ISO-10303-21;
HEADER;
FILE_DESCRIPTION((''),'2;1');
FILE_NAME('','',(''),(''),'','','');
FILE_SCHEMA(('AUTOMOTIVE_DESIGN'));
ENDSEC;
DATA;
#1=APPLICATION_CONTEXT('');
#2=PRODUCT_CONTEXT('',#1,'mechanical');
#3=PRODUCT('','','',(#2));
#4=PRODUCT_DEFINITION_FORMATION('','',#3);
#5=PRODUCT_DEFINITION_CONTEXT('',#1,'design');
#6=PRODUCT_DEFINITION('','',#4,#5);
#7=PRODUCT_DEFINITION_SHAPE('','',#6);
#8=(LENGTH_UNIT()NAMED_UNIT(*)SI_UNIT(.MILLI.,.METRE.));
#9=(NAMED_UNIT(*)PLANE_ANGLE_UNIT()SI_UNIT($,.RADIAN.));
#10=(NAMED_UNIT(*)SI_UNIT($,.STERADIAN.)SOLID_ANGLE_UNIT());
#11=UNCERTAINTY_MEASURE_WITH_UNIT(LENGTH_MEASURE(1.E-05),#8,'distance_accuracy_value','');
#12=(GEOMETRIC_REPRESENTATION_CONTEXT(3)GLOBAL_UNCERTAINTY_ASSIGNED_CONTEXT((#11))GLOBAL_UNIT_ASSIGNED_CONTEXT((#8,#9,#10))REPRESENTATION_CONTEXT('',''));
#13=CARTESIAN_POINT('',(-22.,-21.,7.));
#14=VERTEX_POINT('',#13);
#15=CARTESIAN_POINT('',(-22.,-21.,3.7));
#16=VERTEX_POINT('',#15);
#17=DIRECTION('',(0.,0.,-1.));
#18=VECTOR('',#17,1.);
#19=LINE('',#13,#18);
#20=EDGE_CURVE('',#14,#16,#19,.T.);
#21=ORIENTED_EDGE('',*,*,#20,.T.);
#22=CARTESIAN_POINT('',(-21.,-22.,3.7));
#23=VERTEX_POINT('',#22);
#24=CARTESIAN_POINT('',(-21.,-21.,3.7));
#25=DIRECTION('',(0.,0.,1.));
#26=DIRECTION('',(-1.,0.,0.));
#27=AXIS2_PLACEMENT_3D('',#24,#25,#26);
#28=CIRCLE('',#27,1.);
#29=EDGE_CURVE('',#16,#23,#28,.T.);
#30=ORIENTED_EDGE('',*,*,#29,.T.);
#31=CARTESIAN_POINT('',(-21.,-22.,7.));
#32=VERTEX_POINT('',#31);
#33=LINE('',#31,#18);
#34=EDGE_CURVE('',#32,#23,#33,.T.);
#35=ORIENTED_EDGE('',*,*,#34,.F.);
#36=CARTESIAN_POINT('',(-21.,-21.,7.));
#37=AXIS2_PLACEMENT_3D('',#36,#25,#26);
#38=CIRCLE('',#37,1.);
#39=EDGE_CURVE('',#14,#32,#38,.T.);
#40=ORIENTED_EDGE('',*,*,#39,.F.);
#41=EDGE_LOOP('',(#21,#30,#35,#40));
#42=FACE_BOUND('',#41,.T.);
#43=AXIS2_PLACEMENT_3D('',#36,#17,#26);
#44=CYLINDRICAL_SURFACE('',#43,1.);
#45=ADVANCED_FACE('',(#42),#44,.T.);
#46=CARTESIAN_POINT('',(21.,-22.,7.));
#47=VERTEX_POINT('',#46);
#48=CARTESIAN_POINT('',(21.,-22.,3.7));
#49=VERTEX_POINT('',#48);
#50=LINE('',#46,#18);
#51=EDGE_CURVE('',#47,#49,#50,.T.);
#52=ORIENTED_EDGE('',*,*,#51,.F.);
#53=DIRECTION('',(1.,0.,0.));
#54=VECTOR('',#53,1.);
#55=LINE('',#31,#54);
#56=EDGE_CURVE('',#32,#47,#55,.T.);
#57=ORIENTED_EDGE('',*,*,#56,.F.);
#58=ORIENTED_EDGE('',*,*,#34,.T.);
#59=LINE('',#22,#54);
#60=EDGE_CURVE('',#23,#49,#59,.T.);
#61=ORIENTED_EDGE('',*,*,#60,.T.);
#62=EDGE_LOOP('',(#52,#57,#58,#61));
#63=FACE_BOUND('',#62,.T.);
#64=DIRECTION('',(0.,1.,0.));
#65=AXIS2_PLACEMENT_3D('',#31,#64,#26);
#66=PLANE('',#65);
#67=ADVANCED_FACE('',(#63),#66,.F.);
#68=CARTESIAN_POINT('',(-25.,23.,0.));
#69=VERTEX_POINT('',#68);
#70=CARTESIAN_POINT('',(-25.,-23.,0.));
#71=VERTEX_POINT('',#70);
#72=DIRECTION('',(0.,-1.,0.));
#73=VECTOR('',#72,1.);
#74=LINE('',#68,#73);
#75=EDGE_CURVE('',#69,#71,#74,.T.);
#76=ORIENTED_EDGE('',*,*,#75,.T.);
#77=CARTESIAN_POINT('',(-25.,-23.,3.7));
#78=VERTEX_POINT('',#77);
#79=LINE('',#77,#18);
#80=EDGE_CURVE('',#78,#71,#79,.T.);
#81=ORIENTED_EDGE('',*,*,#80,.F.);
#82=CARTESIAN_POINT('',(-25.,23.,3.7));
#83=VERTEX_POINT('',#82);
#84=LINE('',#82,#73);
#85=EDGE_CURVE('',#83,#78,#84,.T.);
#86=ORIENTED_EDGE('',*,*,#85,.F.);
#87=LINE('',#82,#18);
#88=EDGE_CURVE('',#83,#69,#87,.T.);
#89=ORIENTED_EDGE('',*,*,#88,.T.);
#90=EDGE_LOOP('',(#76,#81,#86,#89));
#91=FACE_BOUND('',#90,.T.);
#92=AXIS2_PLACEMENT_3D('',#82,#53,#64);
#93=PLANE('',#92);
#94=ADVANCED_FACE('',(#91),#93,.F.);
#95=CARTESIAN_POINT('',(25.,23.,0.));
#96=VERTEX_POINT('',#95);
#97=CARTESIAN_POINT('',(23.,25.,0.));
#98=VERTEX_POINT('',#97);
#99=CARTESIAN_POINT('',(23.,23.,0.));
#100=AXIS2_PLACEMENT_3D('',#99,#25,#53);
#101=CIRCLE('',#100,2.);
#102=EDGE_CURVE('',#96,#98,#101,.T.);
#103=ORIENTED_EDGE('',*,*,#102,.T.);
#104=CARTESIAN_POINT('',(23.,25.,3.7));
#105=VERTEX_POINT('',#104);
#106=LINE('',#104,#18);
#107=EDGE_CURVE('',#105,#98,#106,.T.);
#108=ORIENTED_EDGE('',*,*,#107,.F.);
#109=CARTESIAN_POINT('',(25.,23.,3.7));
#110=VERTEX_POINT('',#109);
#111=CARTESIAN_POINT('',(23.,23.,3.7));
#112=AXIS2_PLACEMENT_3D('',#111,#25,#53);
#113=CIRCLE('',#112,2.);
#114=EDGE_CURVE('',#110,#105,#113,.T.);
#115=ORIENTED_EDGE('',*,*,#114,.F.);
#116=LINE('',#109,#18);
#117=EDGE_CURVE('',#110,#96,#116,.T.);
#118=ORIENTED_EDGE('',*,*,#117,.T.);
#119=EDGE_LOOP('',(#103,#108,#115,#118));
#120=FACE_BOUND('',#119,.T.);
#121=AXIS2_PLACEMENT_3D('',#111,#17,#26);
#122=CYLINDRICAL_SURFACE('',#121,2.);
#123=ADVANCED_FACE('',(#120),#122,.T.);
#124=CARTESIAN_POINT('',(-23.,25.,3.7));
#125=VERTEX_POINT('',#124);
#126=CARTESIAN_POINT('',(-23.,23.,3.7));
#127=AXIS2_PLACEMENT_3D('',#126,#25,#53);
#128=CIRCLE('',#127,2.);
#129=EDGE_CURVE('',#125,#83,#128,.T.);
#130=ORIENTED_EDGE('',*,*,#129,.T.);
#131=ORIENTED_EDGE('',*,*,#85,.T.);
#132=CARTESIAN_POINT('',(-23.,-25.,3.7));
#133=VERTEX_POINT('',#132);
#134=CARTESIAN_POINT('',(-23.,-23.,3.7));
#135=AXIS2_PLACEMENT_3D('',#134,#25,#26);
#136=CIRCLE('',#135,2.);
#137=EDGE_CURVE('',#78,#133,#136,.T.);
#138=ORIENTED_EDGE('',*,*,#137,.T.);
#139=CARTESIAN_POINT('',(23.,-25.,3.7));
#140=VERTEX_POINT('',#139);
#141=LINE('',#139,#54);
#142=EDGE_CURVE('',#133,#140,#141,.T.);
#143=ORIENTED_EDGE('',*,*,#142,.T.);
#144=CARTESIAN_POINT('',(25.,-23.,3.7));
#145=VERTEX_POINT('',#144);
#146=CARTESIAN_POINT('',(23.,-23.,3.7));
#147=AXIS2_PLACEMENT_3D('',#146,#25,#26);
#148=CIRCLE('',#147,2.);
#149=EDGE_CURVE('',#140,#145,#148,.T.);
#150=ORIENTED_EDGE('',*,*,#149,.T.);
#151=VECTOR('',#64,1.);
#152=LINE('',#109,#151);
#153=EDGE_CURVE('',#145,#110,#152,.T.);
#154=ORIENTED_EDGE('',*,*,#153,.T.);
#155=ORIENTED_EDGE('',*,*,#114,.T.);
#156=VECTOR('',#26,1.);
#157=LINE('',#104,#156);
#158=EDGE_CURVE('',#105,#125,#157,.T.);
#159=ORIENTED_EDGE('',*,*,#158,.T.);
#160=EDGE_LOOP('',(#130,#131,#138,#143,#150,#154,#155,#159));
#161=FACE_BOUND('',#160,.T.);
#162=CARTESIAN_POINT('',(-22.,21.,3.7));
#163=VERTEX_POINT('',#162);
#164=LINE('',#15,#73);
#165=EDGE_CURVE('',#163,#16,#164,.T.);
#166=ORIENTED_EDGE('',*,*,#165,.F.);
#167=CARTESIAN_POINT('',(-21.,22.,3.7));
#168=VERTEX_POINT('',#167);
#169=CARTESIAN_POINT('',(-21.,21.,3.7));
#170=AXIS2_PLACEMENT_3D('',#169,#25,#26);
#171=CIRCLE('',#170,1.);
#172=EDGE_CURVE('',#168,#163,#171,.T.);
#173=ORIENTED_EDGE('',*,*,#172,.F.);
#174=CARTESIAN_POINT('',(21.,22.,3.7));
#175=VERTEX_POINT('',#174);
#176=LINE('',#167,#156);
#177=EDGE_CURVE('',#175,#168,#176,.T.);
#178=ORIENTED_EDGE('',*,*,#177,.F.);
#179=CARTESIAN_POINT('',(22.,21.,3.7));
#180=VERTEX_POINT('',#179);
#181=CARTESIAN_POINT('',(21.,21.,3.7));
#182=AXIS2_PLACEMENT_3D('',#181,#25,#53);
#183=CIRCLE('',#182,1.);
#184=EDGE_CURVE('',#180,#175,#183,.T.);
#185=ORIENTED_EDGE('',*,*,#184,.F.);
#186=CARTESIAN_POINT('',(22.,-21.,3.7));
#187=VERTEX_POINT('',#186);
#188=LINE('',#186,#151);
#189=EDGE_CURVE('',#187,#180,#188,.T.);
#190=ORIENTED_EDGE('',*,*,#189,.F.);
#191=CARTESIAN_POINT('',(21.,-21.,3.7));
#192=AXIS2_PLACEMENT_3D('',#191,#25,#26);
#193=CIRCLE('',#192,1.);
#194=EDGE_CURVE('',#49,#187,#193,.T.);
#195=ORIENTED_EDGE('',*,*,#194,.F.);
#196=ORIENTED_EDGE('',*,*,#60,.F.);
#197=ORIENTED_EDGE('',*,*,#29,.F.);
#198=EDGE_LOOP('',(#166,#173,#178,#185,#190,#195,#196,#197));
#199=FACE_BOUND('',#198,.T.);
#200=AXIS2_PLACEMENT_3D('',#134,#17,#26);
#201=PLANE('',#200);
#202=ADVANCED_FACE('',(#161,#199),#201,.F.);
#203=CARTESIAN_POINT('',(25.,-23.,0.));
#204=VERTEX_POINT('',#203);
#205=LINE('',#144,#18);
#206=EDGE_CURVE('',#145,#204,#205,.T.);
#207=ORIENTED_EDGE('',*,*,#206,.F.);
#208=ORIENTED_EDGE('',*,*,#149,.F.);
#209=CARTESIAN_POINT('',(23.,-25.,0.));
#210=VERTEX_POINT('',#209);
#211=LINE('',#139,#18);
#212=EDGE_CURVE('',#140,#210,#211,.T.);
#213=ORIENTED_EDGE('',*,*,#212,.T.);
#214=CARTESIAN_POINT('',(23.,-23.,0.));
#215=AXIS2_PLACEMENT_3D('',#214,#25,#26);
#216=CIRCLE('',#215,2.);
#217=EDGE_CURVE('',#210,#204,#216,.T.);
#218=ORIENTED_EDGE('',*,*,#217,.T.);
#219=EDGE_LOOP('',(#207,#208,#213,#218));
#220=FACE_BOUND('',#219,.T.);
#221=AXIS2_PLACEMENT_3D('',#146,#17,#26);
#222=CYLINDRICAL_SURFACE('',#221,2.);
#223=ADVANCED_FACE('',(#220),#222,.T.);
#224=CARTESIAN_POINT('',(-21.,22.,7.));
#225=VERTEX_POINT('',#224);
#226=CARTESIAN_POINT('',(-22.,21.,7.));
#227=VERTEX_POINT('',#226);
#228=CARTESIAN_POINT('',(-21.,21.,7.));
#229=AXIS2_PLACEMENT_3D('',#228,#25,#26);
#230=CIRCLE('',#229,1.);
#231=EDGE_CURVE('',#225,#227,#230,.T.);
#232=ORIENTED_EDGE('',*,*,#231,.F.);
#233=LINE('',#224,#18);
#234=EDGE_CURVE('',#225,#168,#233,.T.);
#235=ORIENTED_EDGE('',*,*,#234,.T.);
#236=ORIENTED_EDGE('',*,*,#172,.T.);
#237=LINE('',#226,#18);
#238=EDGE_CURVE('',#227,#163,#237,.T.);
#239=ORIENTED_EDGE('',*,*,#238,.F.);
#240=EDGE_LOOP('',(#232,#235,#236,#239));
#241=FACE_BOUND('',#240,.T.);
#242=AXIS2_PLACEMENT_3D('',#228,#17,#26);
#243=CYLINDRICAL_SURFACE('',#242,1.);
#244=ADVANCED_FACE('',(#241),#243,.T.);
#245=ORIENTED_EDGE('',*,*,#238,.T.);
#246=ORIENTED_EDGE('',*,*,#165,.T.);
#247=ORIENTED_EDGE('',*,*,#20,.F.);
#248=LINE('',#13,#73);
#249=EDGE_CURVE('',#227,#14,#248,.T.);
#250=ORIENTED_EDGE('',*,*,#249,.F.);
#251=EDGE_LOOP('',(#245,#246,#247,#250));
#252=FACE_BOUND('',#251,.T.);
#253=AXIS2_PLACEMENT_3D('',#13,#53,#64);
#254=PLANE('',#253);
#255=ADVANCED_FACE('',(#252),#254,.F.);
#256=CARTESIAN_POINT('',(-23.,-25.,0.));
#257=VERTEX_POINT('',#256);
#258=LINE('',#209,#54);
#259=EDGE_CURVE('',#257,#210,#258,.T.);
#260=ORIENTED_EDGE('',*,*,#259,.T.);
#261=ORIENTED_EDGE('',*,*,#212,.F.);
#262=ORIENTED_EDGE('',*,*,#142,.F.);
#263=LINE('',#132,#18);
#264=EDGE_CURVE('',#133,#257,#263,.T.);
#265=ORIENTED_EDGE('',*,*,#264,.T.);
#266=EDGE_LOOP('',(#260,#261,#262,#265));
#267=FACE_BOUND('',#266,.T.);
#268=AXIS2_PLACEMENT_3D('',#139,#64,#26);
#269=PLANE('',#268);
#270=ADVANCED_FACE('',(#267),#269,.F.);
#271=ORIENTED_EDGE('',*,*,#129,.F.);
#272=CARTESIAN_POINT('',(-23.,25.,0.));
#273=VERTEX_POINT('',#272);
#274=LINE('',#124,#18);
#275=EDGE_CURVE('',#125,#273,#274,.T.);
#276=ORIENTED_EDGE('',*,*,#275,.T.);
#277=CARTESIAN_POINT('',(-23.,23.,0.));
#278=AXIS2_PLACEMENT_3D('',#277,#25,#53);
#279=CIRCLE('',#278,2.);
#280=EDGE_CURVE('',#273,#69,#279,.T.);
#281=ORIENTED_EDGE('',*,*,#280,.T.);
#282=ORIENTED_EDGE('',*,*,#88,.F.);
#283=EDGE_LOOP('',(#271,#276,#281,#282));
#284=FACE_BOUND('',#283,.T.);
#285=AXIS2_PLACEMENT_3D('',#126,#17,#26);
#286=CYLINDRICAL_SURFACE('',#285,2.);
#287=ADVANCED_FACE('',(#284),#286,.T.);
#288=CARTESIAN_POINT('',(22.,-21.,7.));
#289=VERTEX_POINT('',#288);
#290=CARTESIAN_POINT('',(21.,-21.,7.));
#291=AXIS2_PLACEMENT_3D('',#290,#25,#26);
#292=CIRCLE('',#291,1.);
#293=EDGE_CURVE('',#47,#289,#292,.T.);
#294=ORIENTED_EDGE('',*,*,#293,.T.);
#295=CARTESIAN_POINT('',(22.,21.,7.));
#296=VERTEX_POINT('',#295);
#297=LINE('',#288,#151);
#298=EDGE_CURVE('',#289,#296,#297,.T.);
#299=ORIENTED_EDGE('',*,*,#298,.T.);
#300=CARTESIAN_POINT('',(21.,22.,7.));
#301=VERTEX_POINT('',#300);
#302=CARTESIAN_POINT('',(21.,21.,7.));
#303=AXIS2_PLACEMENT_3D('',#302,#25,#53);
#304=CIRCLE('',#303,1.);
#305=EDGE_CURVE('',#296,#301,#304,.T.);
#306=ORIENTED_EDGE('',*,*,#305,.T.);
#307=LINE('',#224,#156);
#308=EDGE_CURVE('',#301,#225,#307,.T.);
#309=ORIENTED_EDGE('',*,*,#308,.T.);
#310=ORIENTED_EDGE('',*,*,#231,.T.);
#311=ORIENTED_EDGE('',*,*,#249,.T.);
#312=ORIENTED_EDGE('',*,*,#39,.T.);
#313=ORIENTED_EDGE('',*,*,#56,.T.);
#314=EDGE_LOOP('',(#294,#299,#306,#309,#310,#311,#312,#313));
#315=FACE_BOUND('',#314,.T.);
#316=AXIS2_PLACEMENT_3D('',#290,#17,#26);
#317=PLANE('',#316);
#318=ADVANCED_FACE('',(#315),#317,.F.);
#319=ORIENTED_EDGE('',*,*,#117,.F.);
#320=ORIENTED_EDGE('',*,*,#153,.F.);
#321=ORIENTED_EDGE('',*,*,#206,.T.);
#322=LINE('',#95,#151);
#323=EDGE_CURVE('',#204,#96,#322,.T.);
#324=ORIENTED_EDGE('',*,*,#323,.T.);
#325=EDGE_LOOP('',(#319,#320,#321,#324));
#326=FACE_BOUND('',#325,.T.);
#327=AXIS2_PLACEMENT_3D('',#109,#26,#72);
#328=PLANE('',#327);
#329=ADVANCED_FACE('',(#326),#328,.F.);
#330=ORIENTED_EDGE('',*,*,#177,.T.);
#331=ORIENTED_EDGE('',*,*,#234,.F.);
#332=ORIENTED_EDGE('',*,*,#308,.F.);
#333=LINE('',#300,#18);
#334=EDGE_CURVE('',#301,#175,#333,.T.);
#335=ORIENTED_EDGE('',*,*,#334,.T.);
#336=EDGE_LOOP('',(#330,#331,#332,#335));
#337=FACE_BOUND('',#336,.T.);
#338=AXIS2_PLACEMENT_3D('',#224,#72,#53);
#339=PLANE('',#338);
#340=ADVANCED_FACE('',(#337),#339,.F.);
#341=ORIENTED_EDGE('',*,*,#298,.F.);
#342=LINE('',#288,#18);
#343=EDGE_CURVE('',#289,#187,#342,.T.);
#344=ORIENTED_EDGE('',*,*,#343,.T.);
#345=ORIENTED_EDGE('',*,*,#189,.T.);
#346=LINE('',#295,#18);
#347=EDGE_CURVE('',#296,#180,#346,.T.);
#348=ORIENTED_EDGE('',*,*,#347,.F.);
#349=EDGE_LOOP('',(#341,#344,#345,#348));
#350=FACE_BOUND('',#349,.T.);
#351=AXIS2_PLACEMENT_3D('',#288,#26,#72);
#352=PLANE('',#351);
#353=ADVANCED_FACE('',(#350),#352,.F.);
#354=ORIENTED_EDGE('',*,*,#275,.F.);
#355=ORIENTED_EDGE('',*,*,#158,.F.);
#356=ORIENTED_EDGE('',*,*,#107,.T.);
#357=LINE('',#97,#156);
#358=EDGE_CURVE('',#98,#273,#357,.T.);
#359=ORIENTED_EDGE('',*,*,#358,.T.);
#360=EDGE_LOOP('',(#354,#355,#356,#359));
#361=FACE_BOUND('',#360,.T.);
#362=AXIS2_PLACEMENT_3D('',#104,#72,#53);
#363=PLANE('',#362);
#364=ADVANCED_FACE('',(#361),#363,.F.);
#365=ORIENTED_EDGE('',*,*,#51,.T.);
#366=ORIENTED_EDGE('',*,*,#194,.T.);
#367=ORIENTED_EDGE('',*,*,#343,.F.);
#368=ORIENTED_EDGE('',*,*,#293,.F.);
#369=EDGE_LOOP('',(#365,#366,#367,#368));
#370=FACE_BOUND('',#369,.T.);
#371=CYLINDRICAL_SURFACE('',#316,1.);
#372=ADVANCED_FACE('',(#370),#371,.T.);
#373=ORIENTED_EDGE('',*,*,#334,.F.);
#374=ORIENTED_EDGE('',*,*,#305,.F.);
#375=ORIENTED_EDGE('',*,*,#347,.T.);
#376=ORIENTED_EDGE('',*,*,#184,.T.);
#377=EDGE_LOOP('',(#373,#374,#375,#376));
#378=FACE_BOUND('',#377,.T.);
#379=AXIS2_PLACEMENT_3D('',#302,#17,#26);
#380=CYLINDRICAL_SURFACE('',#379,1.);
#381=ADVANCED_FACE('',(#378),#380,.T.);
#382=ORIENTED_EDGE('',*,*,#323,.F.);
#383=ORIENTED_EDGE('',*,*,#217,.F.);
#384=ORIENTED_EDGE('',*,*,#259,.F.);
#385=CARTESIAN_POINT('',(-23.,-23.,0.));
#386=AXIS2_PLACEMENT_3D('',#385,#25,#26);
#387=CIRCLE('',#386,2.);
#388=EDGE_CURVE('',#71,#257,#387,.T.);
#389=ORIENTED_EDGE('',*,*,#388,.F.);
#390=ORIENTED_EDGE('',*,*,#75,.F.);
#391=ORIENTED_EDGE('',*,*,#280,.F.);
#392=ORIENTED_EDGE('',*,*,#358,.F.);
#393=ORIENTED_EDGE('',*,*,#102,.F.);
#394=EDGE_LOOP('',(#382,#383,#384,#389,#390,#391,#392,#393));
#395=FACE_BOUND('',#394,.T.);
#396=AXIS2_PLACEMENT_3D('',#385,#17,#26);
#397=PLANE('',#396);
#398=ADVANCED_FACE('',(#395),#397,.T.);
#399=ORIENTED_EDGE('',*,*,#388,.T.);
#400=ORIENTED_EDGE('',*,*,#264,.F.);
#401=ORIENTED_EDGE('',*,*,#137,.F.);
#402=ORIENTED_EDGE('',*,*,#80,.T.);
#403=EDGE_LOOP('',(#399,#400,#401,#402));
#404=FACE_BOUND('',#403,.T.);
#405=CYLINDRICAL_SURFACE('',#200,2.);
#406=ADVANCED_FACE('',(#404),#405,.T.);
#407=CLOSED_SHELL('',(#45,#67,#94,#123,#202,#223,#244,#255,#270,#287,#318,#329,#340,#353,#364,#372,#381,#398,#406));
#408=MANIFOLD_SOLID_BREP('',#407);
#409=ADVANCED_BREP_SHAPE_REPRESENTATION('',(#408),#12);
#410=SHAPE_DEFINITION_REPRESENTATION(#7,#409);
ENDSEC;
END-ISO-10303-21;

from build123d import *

# Parameters (mm, degrees)
RESSALTO_EXTRUS_O1_DEPTH = 3.7
RESSALTO_EXTRUS_O2_DEPTH = 3.3


with BuildPart() as part:
    # Esboço1 → Ressalto-extrusão1 (new body)
    with BuildSketch(Plane.XY):
        with BuildLine():
            Line((23, -25), (-23, -25))
            ThreePointArc((-23, -25), (-24.414213563, -24.414213562), (-25, -23))
            Line((-25, -23), (-25, 23))
            ThreePointArc((-25, 23), (-24.414213563, 24.414213562), (-23, 25))
            Line((-23, 25), (23, 25))
            ThreePointArc((23, 25), (24.414213563, 24.414213562), (25, 23))
            Line((25, 23), (25, -23))
            ThreePointArc((25, -23), (24.414213563, -24.414213562), (23, -25))
        make_face()
    extrude(amount=RESSALTO_EXTRUS_O1_DEPTH)

    # Esboço3 → Ressalto-extrusão2 (add)
    with BuildSketch(Plane.XY.offset(3.7)):
        with BuildLine():
            Line((-22, -21), (-22, 21))
            ThreePointArc((-22, 21), (-21.707106782, 21.707106781), (-21, 22))
            Line((-21, 22), (21, 22))
            ThreePointArc((21, 22), (21.707106782, 21.707106781), (22, 21))
            Line((22, 21), (22, -21))
            ThreePointArc((22, -21), (21.707106782, -21.707106781), (21, -22))
            Line((21, -22), (-21, -22))
            ThreePointArc((-21, -22), (-21.707106782, -21.707106781), (-22, -21))
        make_face()
    extrude(amount=RESSALTO_EXTRUS_O2_DEPTH)


solid = part.part
